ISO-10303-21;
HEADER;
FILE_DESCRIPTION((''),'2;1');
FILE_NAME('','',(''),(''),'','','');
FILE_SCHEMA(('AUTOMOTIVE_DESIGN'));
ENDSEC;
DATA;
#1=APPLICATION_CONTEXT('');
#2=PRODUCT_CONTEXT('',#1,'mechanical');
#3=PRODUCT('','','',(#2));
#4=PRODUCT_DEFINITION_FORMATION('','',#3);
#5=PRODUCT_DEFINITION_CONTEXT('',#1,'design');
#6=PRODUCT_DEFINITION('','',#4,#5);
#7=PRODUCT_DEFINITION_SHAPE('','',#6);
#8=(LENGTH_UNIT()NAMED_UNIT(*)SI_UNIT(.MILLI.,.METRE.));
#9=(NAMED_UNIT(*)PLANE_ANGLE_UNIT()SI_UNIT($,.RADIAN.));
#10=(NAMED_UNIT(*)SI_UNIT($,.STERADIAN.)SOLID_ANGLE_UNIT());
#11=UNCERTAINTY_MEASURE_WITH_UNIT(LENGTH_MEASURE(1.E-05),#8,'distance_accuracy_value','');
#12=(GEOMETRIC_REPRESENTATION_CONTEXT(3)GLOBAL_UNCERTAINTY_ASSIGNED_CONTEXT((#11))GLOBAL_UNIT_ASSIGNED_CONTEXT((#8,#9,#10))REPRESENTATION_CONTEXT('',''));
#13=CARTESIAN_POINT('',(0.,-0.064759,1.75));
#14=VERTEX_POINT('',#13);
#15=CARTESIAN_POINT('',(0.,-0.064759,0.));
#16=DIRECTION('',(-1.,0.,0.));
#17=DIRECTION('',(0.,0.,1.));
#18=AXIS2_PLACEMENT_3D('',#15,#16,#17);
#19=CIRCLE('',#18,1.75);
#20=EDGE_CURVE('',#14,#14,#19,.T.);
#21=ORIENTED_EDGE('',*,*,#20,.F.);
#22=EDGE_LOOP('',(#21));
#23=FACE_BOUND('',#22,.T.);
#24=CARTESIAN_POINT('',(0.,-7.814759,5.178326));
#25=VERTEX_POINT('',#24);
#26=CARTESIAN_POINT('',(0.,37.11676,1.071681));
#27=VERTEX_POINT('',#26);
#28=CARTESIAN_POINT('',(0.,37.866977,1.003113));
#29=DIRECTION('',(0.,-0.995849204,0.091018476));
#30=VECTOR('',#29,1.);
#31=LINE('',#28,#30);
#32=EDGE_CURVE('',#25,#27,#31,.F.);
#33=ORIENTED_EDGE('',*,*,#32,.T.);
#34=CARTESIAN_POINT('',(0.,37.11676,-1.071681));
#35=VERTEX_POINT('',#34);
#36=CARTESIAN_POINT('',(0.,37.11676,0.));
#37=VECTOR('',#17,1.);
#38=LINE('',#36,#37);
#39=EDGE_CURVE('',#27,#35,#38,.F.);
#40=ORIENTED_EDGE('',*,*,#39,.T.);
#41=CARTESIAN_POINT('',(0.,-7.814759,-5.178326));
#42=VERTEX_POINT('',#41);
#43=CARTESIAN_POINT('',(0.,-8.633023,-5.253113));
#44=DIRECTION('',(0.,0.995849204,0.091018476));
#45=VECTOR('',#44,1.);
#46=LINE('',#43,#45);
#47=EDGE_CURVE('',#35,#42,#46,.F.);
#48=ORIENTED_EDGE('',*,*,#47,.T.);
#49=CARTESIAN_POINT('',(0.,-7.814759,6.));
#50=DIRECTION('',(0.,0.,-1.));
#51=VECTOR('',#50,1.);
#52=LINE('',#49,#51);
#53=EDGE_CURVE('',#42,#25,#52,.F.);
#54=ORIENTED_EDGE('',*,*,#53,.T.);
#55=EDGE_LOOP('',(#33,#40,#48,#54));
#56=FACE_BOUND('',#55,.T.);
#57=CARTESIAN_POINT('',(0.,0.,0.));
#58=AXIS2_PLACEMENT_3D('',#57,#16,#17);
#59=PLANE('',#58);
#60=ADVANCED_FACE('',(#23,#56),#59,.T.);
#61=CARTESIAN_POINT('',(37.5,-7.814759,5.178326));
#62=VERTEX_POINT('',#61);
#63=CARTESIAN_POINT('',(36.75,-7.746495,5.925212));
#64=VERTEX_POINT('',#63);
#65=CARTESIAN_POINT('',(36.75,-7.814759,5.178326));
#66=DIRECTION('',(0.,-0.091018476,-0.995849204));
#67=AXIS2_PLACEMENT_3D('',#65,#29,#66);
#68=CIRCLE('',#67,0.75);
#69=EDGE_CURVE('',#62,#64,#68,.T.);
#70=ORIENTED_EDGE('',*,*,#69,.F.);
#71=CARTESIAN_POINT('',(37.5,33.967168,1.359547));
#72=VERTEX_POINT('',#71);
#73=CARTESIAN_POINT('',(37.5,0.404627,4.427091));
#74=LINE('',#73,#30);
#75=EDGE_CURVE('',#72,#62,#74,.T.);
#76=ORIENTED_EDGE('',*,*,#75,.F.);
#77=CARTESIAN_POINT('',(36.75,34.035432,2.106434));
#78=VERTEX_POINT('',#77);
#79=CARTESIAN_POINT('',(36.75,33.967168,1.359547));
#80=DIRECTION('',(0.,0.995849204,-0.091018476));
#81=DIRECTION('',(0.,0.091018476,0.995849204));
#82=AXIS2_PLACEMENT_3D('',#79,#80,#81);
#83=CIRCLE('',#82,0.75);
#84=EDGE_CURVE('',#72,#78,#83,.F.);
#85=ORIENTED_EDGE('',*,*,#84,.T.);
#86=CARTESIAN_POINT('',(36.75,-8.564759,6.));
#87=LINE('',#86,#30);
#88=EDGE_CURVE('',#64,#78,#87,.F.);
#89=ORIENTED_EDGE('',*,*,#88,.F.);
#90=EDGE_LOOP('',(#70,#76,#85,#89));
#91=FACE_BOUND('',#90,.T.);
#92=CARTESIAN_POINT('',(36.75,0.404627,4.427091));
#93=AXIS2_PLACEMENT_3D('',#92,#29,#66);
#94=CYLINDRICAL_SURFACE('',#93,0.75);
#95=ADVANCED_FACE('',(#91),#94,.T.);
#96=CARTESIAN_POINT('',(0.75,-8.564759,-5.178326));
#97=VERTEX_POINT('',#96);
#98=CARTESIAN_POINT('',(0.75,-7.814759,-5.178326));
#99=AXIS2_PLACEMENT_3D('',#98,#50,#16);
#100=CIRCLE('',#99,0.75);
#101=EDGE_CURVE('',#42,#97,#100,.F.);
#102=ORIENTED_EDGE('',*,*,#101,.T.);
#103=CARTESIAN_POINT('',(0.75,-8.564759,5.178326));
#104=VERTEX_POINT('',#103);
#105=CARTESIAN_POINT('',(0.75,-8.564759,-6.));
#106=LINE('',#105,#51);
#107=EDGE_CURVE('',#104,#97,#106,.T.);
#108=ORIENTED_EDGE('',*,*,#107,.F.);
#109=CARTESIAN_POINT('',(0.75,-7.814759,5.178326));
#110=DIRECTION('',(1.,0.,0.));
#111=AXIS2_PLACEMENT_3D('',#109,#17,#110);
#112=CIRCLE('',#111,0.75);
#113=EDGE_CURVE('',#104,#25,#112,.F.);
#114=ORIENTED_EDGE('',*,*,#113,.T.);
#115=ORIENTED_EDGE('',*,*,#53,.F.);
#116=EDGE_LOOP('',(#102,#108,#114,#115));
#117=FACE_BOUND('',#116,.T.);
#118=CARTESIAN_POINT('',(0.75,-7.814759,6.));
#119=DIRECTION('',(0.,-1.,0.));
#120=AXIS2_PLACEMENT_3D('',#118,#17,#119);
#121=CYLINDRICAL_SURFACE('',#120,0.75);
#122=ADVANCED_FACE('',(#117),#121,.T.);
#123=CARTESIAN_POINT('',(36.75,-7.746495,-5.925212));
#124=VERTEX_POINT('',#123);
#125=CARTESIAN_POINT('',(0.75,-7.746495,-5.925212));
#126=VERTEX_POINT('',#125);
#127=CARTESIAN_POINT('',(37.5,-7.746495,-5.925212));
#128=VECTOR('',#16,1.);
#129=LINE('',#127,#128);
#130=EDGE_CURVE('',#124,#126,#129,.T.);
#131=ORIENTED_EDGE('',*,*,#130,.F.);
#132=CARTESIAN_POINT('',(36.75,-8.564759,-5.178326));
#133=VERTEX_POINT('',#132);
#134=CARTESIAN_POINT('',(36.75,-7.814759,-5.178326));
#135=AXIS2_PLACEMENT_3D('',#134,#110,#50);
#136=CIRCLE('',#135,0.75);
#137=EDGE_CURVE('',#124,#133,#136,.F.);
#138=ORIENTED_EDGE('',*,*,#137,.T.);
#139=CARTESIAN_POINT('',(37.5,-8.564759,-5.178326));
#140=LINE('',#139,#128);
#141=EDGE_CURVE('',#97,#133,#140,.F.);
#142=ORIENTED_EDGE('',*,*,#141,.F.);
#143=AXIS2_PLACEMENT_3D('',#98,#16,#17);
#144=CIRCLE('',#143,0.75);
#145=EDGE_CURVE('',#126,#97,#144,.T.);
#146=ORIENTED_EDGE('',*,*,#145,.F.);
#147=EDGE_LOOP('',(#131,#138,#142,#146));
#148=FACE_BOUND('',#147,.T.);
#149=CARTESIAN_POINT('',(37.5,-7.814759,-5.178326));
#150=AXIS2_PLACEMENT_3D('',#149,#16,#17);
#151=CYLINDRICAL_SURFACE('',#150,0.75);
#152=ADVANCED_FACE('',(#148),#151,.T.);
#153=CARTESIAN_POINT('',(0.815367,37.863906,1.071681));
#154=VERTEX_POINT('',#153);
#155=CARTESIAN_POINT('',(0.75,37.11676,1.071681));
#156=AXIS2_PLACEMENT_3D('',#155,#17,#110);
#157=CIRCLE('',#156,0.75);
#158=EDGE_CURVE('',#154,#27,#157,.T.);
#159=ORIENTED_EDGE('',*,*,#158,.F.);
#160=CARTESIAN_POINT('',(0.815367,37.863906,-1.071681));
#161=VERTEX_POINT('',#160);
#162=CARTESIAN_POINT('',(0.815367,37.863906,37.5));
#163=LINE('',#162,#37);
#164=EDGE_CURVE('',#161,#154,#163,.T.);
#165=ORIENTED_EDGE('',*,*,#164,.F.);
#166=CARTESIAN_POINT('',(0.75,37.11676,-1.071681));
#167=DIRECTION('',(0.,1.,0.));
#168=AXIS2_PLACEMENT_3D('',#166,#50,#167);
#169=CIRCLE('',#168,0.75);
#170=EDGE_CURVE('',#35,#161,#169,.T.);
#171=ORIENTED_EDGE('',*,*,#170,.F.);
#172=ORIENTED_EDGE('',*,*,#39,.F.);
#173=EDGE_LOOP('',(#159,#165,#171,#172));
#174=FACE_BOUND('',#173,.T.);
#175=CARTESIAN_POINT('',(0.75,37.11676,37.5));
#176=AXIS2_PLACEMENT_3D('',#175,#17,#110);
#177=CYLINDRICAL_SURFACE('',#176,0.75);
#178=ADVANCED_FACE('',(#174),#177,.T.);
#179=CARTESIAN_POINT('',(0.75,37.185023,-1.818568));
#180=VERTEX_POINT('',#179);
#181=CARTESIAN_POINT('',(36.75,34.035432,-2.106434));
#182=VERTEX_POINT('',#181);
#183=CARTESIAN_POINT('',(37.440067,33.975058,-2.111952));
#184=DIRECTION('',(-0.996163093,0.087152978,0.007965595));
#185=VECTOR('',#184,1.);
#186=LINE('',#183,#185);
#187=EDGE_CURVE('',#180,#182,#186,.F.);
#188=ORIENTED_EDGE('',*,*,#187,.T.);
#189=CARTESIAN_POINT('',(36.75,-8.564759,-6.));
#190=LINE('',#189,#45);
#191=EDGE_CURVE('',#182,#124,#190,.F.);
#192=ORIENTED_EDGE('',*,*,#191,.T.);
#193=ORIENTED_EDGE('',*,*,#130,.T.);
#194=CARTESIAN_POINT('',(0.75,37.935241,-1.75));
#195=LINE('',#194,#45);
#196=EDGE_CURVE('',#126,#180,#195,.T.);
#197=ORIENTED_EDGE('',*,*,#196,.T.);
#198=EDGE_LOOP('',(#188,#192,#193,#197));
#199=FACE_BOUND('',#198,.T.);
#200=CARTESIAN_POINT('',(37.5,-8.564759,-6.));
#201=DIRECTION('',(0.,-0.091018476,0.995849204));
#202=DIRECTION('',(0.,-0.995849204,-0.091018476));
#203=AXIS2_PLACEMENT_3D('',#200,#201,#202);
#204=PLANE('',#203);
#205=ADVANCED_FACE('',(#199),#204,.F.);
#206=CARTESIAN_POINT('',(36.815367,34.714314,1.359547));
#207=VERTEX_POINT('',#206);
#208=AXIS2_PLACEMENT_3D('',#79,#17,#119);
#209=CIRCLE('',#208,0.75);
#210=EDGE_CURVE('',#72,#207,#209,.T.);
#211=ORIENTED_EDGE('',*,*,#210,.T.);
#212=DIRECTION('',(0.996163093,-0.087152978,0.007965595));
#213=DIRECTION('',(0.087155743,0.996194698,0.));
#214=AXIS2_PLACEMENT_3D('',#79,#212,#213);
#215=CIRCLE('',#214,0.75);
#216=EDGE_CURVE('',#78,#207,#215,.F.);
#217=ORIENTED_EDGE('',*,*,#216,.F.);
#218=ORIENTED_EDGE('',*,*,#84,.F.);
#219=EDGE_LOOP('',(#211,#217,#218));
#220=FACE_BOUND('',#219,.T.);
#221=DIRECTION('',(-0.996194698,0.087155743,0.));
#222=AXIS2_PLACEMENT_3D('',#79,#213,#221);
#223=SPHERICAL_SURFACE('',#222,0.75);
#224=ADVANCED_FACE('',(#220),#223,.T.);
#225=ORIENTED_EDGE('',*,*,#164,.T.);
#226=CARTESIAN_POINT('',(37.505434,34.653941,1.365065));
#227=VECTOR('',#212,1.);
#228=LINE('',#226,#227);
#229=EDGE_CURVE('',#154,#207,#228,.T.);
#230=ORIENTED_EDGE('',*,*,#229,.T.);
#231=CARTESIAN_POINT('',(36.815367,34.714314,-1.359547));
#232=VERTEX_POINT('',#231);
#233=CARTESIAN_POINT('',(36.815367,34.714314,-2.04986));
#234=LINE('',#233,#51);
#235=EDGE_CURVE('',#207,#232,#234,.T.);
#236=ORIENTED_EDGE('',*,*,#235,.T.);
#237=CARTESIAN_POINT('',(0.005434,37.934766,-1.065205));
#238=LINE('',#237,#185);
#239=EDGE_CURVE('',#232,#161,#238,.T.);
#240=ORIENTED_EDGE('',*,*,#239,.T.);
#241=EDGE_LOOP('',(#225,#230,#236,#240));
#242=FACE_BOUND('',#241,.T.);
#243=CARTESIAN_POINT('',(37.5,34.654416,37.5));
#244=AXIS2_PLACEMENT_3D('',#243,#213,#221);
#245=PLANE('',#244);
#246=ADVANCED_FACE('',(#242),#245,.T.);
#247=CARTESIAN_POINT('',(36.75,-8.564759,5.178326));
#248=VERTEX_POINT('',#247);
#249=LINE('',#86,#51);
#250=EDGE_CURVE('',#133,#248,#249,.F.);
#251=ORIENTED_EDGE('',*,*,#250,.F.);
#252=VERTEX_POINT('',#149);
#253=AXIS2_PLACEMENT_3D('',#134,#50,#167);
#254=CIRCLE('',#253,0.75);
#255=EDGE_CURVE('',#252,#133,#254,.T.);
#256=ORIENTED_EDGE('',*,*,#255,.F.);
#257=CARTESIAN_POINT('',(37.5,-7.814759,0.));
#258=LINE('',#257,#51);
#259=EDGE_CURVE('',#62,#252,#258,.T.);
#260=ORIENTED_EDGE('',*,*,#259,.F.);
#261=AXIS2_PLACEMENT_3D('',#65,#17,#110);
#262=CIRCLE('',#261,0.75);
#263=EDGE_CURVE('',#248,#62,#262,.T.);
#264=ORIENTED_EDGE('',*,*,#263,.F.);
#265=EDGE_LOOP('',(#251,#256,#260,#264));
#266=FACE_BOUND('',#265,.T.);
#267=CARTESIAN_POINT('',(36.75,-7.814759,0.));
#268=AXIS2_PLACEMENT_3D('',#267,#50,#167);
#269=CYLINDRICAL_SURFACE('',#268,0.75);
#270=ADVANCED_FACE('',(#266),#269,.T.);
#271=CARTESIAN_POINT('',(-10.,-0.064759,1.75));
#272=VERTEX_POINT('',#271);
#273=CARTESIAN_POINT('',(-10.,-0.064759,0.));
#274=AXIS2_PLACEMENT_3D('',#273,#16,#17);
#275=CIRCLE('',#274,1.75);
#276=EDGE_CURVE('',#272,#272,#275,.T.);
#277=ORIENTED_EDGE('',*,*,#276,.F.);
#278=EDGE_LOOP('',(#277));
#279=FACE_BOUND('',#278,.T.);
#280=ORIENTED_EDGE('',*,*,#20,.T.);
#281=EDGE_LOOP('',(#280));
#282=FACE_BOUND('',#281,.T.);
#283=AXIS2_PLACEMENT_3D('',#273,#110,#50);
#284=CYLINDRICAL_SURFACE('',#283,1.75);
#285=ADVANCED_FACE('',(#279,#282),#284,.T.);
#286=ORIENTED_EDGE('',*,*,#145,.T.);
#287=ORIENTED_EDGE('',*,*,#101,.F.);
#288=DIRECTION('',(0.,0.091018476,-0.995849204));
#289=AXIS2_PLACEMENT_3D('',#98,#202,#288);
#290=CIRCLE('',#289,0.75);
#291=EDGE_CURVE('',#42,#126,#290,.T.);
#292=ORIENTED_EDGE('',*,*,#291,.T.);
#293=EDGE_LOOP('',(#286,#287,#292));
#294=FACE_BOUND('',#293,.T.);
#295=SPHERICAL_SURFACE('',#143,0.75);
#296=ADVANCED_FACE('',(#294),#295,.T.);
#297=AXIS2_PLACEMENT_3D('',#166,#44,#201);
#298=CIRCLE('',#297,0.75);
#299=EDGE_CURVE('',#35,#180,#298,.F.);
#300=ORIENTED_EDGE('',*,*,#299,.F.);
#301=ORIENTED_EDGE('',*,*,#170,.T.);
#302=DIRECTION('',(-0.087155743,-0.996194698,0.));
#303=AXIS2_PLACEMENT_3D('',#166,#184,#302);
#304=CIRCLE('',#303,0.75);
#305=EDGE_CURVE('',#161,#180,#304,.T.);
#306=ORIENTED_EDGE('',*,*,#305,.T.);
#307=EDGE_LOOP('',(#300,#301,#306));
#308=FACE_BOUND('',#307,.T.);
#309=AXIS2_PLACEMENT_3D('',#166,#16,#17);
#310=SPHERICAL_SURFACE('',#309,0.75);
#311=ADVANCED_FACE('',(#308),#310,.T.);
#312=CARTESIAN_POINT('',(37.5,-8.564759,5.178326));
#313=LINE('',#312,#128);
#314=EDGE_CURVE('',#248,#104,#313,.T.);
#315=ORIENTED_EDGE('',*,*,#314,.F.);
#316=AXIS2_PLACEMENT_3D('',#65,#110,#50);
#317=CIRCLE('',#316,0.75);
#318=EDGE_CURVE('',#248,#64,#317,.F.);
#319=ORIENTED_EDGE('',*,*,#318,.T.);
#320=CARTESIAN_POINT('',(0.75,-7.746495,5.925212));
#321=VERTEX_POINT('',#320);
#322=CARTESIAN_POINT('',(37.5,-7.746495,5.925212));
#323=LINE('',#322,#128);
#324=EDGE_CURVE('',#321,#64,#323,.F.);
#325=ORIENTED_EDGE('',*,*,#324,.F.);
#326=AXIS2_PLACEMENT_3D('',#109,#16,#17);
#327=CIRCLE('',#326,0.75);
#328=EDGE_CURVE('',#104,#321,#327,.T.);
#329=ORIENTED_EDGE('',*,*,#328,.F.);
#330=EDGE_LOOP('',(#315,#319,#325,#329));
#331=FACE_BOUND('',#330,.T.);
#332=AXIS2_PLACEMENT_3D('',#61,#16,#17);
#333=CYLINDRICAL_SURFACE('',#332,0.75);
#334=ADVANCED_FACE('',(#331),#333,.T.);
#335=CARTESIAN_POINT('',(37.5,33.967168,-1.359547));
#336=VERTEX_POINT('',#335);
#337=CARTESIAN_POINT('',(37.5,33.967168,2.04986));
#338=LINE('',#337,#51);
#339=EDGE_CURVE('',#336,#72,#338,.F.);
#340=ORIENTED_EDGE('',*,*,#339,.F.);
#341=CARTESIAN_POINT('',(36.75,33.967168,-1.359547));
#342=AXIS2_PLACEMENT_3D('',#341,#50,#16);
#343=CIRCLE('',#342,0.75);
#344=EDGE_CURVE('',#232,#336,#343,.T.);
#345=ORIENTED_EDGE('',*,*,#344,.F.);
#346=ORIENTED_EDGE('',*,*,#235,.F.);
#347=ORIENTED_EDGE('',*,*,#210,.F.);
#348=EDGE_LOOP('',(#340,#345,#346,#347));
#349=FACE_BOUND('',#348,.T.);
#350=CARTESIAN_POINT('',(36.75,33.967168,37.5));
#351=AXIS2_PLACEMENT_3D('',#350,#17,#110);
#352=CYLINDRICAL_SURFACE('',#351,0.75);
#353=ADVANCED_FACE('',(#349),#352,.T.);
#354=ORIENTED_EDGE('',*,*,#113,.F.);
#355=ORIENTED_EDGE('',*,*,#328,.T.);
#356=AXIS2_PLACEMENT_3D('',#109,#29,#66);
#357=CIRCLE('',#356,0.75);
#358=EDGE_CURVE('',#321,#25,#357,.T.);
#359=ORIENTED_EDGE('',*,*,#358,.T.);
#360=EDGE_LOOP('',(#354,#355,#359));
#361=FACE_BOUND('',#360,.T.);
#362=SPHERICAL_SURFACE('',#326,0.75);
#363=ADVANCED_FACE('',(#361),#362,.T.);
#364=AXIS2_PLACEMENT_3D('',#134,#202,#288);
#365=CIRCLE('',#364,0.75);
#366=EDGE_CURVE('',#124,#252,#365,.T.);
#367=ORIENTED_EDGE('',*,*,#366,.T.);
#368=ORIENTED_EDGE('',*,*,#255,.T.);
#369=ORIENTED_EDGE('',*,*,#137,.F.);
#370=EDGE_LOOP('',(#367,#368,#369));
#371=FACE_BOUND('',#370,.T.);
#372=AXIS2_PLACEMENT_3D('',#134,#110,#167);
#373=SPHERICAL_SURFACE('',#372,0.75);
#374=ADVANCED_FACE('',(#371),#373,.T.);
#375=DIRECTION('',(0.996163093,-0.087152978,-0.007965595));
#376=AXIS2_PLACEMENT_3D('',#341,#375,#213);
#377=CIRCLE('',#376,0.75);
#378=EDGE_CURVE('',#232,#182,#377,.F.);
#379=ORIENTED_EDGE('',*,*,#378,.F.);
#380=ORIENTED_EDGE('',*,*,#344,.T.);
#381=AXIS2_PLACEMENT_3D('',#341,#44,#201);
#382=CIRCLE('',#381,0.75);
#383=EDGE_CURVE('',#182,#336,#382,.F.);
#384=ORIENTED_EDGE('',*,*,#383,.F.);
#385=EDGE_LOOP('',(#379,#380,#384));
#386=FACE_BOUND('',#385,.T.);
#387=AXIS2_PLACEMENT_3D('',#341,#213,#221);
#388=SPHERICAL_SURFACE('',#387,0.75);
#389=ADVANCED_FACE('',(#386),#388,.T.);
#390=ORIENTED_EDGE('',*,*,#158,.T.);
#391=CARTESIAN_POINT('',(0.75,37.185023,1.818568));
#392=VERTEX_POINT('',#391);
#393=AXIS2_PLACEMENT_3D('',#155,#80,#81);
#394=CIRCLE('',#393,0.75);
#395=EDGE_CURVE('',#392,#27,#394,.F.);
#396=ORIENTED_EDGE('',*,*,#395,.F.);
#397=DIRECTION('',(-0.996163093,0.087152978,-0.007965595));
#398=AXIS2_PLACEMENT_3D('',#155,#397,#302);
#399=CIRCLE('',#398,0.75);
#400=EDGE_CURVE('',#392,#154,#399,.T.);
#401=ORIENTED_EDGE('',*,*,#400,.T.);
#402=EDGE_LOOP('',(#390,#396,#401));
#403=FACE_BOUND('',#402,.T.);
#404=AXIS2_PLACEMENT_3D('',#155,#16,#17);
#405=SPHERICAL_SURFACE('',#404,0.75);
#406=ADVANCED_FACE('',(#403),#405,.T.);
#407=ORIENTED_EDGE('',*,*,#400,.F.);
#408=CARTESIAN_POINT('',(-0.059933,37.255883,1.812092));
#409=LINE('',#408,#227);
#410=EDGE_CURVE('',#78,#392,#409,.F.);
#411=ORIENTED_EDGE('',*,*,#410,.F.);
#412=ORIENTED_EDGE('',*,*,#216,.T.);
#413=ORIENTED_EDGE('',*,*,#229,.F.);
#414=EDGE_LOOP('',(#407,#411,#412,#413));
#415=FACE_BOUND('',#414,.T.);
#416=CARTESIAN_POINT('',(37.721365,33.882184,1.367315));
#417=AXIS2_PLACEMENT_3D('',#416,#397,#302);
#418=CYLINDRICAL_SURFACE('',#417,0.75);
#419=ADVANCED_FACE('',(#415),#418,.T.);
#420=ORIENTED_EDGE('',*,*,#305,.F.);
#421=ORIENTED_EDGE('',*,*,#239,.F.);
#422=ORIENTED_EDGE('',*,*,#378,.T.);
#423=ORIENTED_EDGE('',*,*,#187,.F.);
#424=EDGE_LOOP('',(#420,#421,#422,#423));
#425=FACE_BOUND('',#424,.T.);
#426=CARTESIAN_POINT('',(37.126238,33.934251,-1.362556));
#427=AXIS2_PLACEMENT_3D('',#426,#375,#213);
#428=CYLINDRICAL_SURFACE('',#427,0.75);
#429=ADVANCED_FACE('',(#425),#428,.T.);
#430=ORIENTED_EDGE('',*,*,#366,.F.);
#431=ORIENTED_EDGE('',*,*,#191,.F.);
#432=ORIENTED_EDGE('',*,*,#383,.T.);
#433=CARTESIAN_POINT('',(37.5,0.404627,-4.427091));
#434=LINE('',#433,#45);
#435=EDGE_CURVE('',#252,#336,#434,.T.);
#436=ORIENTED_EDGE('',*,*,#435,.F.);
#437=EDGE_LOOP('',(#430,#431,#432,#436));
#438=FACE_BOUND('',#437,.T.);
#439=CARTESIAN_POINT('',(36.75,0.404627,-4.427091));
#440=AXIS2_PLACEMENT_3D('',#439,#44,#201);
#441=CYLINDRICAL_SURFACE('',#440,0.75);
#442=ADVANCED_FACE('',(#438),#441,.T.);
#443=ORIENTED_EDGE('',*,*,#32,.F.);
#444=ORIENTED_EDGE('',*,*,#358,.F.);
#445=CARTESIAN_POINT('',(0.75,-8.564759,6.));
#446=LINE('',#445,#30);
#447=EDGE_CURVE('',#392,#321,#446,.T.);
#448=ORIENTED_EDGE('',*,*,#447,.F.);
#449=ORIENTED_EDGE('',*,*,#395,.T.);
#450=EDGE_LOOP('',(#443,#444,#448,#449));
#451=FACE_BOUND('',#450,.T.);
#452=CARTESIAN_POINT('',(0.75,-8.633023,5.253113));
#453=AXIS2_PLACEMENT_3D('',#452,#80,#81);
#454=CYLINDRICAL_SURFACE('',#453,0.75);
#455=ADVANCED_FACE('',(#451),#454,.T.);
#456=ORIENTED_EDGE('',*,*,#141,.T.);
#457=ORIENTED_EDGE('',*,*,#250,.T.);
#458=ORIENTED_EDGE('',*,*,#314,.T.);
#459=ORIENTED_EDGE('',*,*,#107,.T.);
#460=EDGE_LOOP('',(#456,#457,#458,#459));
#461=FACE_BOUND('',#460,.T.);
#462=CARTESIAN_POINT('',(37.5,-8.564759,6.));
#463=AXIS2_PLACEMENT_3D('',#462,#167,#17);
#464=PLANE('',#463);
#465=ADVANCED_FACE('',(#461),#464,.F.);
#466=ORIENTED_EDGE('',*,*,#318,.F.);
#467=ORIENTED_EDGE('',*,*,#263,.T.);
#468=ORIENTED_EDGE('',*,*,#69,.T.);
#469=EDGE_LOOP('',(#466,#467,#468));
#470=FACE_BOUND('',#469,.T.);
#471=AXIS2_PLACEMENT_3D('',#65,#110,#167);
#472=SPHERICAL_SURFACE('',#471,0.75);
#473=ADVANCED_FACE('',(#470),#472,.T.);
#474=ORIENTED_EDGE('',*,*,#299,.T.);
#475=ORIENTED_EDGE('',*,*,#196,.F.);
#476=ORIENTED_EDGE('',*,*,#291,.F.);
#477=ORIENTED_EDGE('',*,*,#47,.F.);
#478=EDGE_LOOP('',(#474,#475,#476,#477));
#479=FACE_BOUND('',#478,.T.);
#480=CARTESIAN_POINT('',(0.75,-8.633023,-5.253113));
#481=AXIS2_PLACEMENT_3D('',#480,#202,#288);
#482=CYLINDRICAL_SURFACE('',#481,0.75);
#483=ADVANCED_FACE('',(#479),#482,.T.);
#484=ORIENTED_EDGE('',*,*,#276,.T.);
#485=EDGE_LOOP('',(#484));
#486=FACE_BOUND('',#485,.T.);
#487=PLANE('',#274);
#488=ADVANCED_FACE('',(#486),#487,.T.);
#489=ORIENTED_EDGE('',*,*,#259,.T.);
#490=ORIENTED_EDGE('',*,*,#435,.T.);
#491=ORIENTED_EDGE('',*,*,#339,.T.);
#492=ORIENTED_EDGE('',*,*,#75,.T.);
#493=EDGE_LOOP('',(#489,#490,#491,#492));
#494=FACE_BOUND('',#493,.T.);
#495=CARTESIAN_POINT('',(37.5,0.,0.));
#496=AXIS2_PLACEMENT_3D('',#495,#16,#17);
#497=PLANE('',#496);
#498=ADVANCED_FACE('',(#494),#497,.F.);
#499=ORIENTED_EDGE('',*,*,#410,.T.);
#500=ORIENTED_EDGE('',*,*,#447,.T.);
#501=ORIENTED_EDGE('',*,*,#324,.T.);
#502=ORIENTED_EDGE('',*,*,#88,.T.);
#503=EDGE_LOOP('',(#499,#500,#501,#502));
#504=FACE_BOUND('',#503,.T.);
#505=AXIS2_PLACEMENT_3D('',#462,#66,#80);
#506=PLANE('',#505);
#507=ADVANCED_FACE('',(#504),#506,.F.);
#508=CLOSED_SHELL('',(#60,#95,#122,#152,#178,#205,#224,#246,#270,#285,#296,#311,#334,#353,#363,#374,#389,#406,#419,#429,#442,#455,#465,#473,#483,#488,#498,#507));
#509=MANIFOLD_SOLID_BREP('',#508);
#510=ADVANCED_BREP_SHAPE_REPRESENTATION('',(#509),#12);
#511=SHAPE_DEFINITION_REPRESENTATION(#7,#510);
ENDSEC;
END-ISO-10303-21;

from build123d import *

# Parameters (mm, degrees)
SALIENTE_EXTRUIR1_DEPTH    = 37.5
CORTAR_EXTRUIR1_DEPTH      = 37.5
CORTAR_EXTRUIR1_DEPTH_BACK = 37.5
CROQUIS3_R                 = 1.75
SALIENTE_EXTRUIR2_DEPTH    = 10
REDONDEO1_R                = 0.75


with BuildPart() as part:
    # Croquis1 → Saliente-Extruir1 (new body)
    with BuildSketch(Plane(origin=(0, 0, 0), x_dir=(0, 0, -1), z_dir=(1, 0, 0))):
        Polygon((-6, -8.564759036), (6, -8.564759036), (1.75, 37.935240964), (-1.75, 37.935240964), align=None)
    extrude(amount=SALIENTE_EXTRUIR1_DEPTH)

    # Croquis2 → Cortar-Extruir1 (cut, two sides: drawn at the far end of the back side and taken through both)
    with BuildSketch(Plane.XY.offset(-CORTAR_EXTRUIR1_DEPTH_BACK)):
        Polygon((0, 37.935240964), (37.5, 37.935240964), (37.5, 34.654416082), align=None)
    extrude(amount=CORTAR_EXTRUIR1_DEPTH + CORTAR_EXTRUIR1_DEPTH_BACK, mode=Mode.SUBTRACT)

    # Croquis3 → Saliente-Extruir2 (add)
    with BuildSketch(Plane.ZY):
        with Locations((0, -0.064759036)):
            Circle(CROQUIS3_R)
    extrude(amount=SALIENTE_EXTRUIR2_DEPTH)

    # Redondeo1
    redondeo1_edges = [part.edges().sort_by_distance(p)[0] for p in [
        (37.5, 13.044828523, 4.024930169),
        (37.5, 34.654416082, 0),
        (37.5, -8.564759036, 0),
        (18.75, 36.294828523, -1.899930169),
        (18.75, 36.294828523, 1.899930169),
        (37.5, 13.044828523, -4.024930169),
        (0, -8.564759036, 0),
        (0, 14.685240964, 3.875),
        (0, 37.935240964, 0),
        (0, 14.685240964, -3.875),
        (18.75, -8.564759036, -6),
        (18.75, -8.564759036, 6),
    ]]
    fillet(redondeo1_edges, radius=REDONDEO1_R)


solid = part.part
